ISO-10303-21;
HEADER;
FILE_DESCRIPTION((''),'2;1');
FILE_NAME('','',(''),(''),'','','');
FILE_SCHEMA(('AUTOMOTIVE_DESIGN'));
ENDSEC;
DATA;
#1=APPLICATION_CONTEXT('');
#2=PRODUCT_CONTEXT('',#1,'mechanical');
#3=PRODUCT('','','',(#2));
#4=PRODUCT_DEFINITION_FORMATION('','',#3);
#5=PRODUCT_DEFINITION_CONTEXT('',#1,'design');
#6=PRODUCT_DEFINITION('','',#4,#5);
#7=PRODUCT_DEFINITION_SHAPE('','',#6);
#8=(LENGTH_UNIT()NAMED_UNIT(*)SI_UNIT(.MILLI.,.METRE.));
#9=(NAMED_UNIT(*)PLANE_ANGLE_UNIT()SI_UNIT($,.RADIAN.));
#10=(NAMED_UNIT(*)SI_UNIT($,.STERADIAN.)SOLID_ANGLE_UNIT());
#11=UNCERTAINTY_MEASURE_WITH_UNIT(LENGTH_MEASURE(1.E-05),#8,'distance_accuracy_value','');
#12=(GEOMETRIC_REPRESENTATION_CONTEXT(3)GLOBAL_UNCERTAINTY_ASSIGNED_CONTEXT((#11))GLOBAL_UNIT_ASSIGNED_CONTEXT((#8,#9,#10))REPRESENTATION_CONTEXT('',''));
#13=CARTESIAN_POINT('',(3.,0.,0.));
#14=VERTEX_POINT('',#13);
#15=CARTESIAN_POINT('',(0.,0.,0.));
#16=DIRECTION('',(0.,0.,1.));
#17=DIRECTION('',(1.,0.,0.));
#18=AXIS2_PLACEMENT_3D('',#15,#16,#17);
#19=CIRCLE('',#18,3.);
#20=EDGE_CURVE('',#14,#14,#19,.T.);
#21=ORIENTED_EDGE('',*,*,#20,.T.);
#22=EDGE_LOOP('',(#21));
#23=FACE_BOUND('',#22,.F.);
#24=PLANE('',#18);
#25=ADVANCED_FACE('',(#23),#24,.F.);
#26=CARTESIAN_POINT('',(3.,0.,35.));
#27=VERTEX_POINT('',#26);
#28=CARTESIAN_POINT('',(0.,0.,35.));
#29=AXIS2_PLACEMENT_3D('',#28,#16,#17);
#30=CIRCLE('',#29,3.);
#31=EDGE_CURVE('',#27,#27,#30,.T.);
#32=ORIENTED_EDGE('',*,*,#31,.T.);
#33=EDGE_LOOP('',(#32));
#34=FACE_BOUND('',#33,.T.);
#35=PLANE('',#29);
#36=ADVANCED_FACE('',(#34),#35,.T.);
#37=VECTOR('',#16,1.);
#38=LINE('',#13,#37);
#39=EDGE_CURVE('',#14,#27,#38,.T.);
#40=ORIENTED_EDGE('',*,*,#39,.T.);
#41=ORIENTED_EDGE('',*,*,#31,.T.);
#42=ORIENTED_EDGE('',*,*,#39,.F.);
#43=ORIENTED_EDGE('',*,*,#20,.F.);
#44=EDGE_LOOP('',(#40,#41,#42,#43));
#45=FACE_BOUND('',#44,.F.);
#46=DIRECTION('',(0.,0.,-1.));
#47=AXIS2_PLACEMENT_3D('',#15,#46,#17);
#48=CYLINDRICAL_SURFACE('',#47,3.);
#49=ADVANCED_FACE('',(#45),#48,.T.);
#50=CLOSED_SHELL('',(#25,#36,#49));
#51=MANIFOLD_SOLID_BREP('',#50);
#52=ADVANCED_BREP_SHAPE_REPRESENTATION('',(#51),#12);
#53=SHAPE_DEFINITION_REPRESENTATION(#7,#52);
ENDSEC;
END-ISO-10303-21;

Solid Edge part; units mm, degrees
sketch "Sketch1" plane through (0, 0, 0) normal (0, 0, 1) x (1, 0, 0)
  circle A0 centre (0, 0) radius 3
extrude "Protrusion1" add sketch "Sketch1" along normal blind 35
cosmetic_thread "Thread1" size "M6"
